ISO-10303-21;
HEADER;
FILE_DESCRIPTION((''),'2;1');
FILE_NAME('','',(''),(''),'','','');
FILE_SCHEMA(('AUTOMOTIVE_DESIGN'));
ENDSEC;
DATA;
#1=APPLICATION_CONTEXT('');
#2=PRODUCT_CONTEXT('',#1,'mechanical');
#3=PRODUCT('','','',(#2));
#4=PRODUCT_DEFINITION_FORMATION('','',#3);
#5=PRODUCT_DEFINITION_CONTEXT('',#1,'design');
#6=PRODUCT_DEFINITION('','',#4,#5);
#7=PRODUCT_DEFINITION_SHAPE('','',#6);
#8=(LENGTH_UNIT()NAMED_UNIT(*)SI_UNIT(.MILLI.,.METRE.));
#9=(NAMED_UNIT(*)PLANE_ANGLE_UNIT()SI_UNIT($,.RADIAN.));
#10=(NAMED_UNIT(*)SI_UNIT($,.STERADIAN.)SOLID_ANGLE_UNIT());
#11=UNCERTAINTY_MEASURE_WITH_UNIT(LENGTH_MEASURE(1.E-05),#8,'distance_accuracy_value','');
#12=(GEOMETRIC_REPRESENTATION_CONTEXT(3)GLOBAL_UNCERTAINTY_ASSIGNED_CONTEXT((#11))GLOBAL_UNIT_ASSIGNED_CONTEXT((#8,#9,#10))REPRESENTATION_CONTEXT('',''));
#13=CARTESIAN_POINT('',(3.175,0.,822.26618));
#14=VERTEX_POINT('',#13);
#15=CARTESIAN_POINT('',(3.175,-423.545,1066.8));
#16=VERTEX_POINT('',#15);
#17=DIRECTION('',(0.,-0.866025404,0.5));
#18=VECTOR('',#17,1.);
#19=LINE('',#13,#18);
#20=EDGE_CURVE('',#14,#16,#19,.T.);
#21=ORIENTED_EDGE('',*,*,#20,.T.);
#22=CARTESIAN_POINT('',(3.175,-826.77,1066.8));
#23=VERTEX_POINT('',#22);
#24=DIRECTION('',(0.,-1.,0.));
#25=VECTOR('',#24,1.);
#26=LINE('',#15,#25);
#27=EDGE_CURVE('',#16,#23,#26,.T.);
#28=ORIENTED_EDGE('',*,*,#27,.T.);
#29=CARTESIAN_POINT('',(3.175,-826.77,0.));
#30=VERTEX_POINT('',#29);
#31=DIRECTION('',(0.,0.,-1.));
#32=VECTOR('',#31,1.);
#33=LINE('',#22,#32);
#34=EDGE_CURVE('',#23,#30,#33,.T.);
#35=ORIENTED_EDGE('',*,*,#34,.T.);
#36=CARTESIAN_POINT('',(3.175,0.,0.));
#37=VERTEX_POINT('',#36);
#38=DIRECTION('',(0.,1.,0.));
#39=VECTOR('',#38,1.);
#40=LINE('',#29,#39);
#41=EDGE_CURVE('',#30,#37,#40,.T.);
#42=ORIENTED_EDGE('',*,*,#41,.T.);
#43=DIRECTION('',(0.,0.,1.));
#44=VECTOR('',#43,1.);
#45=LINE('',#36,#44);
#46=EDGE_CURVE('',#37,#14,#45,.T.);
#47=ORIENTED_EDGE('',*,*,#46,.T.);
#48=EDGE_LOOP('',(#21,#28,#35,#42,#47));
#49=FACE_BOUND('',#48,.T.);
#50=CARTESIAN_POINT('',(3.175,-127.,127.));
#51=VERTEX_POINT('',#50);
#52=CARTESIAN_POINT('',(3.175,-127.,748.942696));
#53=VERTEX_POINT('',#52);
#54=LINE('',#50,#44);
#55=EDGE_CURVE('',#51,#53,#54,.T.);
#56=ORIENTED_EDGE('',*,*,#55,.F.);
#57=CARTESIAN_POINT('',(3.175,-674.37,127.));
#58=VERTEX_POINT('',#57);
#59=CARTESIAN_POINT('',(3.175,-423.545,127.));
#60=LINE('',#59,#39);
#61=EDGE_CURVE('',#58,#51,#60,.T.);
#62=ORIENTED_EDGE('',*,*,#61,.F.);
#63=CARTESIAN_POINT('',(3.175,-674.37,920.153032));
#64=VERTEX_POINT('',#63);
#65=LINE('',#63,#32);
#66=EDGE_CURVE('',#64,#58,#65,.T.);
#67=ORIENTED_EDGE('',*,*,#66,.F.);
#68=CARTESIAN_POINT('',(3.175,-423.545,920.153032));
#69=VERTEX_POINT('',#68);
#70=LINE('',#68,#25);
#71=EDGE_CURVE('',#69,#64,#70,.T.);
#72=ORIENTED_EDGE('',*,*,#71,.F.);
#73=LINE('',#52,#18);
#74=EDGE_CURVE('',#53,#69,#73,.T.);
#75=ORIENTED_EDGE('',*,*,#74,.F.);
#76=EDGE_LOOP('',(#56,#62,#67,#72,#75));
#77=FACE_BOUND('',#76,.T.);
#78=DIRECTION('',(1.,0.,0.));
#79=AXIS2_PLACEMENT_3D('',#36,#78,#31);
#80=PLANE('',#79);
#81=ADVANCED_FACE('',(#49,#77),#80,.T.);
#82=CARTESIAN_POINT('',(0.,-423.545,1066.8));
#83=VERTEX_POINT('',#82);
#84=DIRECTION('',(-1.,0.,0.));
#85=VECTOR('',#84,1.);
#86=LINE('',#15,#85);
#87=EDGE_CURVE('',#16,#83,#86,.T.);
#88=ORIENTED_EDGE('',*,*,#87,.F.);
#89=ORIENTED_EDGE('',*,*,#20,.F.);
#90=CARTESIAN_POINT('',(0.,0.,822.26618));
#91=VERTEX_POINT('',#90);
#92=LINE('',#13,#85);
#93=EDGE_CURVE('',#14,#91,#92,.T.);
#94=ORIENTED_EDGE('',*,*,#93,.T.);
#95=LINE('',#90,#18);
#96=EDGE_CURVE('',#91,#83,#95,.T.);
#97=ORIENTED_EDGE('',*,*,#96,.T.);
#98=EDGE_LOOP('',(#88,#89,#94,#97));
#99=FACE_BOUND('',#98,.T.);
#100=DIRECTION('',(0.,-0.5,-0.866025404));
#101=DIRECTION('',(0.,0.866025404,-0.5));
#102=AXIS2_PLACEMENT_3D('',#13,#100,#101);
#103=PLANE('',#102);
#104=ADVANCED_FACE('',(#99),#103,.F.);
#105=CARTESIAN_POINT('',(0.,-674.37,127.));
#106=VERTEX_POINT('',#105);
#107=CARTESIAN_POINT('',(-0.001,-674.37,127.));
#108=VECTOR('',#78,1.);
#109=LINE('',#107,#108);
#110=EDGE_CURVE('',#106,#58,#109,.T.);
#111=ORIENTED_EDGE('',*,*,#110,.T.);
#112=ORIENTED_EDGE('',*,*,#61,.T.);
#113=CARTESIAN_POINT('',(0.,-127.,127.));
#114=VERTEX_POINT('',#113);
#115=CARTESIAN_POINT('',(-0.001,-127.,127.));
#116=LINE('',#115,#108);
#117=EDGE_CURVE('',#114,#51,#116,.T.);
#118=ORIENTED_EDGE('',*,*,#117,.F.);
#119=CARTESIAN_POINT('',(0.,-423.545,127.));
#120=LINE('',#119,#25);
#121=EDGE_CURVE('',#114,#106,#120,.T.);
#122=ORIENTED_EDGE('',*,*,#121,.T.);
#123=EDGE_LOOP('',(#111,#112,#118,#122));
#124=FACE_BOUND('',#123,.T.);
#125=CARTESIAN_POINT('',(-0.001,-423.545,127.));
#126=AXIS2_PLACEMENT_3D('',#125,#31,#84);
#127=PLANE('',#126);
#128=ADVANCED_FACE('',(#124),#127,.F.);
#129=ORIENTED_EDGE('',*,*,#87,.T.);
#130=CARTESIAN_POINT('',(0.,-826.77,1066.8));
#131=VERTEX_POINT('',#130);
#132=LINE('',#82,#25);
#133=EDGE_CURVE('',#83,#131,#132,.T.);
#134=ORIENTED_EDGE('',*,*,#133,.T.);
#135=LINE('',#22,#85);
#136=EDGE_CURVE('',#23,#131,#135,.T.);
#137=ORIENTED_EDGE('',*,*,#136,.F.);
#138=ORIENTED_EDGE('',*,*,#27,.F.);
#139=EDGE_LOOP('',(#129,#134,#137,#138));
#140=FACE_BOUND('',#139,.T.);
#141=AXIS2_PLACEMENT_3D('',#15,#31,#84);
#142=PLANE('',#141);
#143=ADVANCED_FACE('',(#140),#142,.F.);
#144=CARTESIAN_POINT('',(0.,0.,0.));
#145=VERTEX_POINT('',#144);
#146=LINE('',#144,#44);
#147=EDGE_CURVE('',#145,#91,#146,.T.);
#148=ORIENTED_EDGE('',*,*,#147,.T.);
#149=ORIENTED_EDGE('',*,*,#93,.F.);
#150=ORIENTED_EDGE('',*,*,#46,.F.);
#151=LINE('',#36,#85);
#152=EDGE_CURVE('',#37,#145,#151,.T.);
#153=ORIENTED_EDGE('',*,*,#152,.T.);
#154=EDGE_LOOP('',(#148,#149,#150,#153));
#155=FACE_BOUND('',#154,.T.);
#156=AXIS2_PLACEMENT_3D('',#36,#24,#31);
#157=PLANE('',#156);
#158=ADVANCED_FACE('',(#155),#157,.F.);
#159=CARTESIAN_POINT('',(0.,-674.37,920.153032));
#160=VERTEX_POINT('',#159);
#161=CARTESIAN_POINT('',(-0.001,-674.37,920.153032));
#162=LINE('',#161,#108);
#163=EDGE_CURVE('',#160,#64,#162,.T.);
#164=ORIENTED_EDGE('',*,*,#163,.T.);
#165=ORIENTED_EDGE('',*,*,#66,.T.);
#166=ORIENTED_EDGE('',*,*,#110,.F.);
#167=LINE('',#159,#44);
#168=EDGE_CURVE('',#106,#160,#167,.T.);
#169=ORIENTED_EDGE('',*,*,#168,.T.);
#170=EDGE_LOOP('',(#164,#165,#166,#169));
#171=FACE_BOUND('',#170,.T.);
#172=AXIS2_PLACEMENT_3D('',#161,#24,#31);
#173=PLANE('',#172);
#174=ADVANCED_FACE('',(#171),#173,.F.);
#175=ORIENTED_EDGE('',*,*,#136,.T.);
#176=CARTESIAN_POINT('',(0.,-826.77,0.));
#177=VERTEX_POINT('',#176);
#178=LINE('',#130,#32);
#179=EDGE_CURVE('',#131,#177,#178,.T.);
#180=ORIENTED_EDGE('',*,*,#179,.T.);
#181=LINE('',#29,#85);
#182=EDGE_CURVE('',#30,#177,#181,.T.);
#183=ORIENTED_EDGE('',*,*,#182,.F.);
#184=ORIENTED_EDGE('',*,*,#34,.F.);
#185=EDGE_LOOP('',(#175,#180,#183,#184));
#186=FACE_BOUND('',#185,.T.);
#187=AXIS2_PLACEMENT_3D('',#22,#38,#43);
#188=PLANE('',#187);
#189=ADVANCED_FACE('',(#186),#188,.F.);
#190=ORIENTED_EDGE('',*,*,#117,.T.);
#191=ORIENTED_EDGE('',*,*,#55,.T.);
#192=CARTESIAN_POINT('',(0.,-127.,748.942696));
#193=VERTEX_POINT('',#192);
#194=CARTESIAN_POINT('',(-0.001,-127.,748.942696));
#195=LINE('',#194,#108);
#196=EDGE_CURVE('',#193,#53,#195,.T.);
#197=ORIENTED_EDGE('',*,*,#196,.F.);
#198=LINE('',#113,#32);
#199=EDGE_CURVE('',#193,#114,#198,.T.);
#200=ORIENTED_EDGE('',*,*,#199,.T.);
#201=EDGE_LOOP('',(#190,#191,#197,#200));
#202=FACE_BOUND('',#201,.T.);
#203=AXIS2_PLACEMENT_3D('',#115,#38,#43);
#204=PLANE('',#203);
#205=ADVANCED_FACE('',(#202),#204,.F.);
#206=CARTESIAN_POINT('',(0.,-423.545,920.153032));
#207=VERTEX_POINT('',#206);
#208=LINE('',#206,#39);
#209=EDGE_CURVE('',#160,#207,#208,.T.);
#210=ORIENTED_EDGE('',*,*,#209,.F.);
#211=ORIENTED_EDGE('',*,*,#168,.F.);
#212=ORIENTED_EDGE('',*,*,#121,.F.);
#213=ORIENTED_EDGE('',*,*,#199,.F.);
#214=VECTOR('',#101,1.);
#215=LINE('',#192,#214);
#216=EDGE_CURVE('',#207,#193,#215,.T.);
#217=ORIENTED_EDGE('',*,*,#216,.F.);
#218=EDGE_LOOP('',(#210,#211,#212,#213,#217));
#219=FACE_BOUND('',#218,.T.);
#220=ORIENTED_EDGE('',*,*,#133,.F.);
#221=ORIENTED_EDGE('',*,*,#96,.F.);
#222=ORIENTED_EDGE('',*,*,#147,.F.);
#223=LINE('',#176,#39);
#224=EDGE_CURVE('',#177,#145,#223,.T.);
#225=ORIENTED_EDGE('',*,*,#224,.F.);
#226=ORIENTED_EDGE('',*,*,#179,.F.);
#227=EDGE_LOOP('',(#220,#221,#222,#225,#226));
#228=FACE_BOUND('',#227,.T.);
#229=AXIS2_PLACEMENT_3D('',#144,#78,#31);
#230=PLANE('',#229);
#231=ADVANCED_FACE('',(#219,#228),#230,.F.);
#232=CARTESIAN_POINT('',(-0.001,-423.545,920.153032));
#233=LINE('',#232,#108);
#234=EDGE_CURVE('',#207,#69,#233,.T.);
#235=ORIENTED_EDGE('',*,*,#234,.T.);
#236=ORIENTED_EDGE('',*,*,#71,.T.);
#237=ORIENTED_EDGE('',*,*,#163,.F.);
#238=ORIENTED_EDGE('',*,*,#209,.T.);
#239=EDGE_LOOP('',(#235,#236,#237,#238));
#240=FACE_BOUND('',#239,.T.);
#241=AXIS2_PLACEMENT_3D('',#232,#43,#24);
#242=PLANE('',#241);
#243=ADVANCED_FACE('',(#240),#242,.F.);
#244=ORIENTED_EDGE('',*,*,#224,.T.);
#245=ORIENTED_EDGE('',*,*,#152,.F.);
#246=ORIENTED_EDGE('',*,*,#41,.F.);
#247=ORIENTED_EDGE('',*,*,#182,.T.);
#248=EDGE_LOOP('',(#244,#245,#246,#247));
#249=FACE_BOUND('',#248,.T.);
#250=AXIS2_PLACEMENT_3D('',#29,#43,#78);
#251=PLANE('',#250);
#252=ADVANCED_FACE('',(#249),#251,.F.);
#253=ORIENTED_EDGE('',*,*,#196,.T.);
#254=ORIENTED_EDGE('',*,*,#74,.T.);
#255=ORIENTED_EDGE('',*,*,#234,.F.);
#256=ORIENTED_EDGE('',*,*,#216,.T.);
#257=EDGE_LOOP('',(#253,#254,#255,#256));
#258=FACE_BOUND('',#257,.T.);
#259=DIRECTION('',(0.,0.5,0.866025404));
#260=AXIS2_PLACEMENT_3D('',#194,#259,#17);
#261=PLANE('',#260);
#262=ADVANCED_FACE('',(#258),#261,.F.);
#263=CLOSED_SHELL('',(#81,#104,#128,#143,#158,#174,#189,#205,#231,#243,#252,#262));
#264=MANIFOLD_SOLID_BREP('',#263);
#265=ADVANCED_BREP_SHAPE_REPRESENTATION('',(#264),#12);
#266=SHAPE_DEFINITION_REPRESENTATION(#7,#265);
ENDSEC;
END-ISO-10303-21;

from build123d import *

# Parameters (mm, degrees)
BOSS_EXTRUDE1_DEPTH = 3.175
CUT_EXTRUDE1_REACH  = 5.175


with BuildPart() as part:
    # Sketch1 → Boss-Extrude1 (new body)
    with BuildSketch(Plane(origin=(0, 0, 0), x_dir=(0, 0, -1), z_dir=(1, 0, 0))):
        Polygon((0, 0), (-822.266180236, 0), (-1066.8, -423.545), (-1066.8, -826.77), (0, -826.77), align=None)
    extrude(amount=BOSS_EXTRUDE1_DEPTH)

    # Sketch2 → Cut-Extrude1 (cut, up to next)
    with BuildSketch(Plane(origin=(3.175, 0, 0), x_dir=(0, 0, -1), z_dir=(1, 0, 0)), mode=Mode.PRIVATE) as cut_extrude1_sk1:
        Polygon((-748.942696049, -127), (-920.153031626, -423.545), (-920.153031626, -674.37), (-127, -674.37), (-127, -423.545), (-127, -127), align=None)
    cut_extrude1_tool1 = extrude(cut_extrude1_sk1.sketch, amount=-CUT_EXTRUDE1_REACH, mode=Mode.PRIVATE) & part.part
    add(cut_extrude1_tool1.solids().sort_by_distance((3.175, -411.543058, 502.491806))[0], mode=Mode.SUBTRACT)


solid = part.part
